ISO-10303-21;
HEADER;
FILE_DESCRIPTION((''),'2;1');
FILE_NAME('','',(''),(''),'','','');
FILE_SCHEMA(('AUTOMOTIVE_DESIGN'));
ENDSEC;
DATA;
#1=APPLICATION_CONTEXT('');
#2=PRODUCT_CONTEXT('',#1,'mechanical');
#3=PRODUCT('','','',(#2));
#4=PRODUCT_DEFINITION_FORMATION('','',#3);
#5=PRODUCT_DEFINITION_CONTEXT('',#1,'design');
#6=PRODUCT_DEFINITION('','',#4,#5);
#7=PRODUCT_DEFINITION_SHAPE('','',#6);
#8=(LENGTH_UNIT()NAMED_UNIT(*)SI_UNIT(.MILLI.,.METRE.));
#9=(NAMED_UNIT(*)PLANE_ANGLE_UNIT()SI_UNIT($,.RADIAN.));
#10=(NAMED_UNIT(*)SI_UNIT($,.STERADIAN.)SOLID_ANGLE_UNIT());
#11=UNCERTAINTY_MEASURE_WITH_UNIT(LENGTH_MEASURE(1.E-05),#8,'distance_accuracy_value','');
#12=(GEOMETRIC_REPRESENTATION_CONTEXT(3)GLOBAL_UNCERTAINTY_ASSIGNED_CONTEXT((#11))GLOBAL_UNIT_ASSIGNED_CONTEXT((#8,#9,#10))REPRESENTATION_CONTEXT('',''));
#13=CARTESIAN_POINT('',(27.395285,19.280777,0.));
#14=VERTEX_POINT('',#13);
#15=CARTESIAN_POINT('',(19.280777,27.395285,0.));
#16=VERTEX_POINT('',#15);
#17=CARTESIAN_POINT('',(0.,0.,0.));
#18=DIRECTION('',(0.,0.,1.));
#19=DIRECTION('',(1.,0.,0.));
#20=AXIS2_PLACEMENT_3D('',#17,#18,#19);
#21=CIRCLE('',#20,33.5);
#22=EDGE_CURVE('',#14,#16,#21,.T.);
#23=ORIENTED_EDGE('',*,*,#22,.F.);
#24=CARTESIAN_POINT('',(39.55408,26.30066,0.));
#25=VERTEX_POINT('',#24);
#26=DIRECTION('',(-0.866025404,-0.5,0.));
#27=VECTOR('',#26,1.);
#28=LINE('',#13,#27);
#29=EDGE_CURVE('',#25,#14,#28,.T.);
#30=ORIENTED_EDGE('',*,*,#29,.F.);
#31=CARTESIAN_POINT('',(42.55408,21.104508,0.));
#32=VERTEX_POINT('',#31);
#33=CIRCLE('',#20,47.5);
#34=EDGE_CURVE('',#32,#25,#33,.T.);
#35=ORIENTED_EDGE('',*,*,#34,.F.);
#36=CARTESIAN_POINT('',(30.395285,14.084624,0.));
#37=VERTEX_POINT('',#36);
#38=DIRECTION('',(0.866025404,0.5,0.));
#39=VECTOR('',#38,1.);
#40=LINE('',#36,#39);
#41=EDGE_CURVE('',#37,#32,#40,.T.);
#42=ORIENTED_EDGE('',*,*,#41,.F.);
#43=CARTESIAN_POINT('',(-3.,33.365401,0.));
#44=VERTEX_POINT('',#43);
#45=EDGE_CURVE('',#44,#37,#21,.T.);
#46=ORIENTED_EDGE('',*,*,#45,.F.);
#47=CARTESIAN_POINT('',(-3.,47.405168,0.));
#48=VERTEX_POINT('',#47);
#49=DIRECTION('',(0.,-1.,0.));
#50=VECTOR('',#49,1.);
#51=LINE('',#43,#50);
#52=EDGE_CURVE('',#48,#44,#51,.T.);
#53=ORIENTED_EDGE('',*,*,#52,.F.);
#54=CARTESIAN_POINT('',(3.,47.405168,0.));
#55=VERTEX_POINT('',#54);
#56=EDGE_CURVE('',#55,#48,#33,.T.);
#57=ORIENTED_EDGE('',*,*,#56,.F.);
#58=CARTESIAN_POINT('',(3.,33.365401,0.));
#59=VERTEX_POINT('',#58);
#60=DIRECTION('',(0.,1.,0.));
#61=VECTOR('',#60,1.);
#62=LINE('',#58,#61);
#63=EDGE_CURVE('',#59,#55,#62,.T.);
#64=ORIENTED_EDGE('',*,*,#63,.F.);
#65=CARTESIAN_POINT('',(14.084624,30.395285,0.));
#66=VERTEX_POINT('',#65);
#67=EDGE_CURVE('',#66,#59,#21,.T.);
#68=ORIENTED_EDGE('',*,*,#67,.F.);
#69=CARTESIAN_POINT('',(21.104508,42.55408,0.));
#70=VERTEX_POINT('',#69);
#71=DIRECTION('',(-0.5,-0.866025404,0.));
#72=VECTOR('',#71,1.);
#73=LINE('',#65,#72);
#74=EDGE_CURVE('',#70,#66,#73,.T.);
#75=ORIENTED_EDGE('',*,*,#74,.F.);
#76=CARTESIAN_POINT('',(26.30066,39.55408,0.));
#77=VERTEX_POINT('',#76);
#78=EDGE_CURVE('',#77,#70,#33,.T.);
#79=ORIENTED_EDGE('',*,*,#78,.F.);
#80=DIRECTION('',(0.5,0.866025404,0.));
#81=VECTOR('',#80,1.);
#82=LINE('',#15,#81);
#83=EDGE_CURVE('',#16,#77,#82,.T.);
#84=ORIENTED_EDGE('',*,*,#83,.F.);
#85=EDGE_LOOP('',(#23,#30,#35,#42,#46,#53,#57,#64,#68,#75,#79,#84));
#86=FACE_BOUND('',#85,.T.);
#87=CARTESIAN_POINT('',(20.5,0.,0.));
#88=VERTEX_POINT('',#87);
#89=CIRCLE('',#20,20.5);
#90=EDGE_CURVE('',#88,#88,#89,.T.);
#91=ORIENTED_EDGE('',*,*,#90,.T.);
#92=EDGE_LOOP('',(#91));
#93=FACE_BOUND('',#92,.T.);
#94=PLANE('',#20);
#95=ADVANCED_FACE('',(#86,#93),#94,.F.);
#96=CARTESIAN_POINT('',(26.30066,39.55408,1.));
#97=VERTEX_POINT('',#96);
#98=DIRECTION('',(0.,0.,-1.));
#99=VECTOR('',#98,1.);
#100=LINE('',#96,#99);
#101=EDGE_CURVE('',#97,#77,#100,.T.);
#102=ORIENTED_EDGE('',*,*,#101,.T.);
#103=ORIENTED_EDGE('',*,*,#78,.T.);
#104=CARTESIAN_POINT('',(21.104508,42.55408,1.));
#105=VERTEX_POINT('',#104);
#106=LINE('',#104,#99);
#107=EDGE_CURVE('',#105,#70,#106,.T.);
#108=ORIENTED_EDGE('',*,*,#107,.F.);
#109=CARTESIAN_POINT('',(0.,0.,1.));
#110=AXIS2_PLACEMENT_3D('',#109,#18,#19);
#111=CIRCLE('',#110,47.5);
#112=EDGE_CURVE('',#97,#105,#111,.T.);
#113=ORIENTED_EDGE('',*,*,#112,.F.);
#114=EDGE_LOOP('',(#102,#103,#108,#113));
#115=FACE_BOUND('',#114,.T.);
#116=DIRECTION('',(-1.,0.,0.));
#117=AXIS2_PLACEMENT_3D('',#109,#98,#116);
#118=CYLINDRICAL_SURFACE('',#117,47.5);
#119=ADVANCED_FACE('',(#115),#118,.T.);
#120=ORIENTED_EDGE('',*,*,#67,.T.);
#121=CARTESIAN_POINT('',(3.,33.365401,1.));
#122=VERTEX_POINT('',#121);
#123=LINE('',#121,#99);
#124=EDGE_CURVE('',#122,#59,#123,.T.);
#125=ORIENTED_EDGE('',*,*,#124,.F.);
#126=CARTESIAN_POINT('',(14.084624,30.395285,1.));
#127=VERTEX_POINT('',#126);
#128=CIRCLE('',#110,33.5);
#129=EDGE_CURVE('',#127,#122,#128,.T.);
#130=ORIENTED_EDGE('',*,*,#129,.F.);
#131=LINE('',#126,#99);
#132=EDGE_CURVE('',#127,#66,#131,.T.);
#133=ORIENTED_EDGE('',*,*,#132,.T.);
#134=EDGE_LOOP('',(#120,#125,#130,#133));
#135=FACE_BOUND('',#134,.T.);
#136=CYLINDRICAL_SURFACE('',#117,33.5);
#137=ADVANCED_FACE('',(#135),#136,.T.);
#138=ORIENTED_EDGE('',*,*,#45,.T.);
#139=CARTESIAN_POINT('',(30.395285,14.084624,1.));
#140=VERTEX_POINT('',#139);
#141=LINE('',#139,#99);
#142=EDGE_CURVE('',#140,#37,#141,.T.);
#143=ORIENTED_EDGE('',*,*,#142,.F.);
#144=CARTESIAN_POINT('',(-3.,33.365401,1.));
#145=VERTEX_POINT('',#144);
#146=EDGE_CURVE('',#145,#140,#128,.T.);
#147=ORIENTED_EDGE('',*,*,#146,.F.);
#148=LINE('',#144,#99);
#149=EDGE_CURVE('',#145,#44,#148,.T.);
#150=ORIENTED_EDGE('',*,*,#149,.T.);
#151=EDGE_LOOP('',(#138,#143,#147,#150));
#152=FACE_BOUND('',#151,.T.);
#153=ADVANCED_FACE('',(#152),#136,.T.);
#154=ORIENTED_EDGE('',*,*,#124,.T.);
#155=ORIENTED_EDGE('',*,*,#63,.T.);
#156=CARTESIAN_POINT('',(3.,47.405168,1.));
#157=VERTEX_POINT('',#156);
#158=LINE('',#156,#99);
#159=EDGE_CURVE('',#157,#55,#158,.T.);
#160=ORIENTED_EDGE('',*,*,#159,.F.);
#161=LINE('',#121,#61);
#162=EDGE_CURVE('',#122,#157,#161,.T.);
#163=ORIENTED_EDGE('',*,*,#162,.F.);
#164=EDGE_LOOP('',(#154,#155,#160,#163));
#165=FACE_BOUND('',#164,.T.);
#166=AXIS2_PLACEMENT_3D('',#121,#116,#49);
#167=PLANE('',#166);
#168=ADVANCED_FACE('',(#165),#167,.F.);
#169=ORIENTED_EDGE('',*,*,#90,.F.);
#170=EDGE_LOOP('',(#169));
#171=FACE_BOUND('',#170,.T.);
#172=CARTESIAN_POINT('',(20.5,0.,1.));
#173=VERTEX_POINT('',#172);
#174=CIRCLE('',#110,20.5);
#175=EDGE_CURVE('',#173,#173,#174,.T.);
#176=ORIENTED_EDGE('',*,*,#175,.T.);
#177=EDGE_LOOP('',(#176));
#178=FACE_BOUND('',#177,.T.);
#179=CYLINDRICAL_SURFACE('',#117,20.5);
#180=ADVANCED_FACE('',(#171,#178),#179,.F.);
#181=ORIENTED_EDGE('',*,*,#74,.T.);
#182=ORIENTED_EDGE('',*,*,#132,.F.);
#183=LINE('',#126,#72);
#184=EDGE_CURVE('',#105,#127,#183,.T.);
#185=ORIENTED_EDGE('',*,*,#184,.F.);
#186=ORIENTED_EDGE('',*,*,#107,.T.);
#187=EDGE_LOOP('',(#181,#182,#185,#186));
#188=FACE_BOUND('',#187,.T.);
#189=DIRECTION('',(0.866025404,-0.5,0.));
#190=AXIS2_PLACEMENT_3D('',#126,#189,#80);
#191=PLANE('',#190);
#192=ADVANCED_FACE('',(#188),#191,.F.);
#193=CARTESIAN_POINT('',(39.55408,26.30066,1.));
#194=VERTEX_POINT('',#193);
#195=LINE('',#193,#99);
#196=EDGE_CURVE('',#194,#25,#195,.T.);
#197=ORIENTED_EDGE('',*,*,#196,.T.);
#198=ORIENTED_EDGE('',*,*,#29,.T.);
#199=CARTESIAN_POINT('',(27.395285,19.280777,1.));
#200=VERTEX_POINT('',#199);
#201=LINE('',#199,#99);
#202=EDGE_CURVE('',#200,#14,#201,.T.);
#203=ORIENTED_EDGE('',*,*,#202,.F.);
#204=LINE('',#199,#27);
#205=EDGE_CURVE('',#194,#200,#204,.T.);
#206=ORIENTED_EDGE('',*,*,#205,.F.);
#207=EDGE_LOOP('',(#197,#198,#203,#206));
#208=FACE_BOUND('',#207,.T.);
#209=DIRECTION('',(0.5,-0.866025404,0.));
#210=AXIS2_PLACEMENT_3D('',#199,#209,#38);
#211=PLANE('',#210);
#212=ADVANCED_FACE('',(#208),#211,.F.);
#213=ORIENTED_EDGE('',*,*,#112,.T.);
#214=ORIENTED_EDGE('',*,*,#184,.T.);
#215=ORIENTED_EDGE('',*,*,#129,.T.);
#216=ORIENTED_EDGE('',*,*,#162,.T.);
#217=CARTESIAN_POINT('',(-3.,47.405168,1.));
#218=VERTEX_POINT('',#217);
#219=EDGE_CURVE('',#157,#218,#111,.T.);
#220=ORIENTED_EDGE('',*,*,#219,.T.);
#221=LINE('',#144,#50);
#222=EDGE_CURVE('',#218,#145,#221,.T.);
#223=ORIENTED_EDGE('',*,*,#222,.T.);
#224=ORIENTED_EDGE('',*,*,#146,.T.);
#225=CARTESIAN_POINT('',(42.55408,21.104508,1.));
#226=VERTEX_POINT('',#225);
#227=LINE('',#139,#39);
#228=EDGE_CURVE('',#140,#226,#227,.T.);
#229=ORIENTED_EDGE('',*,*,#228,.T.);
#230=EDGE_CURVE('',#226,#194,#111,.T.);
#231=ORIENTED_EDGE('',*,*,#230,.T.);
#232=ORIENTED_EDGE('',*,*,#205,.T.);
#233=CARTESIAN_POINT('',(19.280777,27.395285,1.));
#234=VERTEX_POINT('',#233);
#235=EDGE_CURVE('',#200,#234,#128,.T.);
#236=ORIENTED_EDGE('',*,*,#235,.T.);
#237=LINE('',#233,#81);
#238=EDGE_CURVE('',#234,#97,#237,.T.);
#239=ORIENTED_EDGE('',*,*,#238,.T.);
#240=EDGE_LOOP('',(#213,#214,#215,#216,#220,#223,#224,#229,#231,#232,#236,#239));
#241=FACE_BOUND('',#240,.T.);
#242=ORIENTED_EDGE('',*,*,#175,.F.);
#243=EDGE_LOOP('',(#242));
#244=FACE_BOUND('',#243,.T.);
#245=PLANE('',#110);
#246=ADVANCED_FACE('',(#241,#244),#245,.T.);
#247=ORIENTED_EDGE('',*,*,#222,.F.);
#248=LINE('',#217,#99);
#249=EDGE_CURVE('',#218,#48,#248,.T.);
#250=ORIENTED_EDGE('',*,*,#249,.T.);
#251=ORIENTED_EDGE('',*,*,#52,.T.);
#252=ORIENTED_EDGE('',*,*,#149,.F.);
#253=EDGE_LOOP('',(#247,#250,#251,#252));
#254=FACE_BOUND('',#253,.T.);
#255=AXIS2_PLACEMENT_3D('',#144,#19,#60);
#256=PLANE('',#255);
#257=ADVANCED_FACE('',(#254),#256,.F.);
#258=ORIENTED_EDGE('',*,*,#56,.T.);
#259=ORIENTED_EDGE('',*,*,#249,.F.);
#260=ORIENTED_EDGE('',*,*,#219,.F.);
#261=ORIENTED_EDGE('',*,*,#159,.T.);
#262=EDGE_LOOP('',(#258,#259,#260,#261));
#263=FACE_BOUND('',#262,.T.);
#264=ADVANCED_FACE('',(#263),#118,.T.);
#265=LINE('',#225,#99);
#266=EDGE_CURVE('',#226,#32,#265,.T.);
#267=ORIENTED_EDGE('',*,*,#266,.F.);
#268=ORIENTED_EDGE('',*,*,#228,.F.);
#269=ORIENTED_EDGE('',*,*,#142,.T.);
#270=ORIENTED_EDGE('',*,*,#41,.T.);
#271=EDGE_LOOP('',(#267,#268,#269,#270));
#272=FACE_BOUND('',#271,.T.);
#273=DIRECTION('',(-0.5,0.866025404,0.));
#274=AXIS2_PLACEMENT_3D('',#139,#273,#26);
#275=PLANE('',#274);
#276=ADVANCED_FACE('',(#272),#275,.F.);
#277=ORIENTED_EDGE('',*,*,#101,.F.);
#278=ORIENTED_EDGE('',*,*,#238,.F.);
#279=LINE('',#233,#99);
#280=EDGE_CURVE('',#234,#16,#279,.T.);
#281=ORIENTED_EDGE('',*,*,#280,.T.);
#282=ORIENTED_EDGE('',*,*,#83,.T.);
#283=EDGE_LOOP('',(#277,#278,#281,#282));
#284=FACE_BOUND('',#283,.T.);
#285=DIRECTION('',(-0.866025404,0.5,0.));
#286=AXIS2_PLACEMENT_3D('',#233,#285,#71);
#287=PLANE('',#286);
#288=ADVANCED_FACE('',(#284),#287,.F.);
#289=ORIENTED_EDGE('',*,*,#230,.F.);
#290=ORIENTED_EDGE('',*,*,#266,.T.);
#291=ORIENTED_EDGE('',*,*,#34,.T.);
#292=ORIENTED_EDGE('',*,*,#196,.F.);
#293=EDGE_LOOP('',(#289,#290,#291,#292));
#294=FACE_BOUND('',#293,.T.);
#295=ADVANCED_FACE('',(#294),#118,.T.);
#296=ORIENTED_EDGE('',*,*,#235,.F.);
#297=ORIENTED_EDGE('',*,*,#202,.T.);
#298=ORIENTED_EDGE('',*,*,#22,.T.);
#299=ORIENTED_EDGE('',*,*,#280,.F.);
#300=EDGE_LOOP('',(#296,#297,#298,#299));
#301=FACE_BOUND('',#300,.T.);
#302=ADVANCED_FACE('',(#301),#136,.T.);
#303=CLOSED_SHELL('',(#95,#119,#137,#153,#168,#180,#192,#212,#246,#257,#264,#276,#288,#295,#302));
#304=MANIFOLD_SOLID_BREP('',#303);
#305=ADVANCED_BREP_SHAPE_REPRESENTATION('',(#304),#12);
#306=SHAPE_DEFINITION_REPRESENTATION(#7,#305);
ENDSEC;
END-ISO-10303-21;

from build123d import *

# Parameters (mm, degrees)
SKETCH_1_R      = 20.5
EXTRUDE_1_DEPTH = 1


with BuildPart() as part:
    # 草图1 → 拉伸1 (new body)
    with BuildSketch(Plane.XY):
        with BuildLine():
            Line((14.084624409, 30.395285083), (21.104508036, 42.554080187))
            ThreePointArc((21.104508036, 42.554080187), (23.75, 41.13620668), (26.300660459, 39.554080187))
            Line((26.300660459, 39.554080187), (19.280776832, 27.395285083))
            ThreePointArc((19.280776832, 27.395285083), (23.68807717, 23.68807717), (27.395285083, 19.280776832))
            Line((27.395285083, 19.280776832), (39.554080187, 26.300660459))
            ThreePointArc((39.554080187, 26.300660459), (41.13620668, 23.75), (42.554080187, 21.104508036))
            Line((42.554080187, 21.104508036), (30.395285083, 14.084624409))
            ThreePointArc((30.395285083, 14.084624409), (-16.75, -29.011851027), (-3, 33.365401241))
            Line((-3, 33.365401241), (-3, 47.405168495))
            ThreePointArc((-3, 47.405168495), (0, 47.5), (3, 47.405168495))
            Line((3, 47.405168495), (3, 33.365401241))
            ThreePointArc((3, 33.365401241), (8.670438011, 32.358515181), (14.084624409, 30.395285083))
        make_face()
        Circle(SKETCH_1_R, mode=Mode.SUBTRACT)
    extrude(amount=EXTRUDE_1_DEPTH)


solid = part.part
